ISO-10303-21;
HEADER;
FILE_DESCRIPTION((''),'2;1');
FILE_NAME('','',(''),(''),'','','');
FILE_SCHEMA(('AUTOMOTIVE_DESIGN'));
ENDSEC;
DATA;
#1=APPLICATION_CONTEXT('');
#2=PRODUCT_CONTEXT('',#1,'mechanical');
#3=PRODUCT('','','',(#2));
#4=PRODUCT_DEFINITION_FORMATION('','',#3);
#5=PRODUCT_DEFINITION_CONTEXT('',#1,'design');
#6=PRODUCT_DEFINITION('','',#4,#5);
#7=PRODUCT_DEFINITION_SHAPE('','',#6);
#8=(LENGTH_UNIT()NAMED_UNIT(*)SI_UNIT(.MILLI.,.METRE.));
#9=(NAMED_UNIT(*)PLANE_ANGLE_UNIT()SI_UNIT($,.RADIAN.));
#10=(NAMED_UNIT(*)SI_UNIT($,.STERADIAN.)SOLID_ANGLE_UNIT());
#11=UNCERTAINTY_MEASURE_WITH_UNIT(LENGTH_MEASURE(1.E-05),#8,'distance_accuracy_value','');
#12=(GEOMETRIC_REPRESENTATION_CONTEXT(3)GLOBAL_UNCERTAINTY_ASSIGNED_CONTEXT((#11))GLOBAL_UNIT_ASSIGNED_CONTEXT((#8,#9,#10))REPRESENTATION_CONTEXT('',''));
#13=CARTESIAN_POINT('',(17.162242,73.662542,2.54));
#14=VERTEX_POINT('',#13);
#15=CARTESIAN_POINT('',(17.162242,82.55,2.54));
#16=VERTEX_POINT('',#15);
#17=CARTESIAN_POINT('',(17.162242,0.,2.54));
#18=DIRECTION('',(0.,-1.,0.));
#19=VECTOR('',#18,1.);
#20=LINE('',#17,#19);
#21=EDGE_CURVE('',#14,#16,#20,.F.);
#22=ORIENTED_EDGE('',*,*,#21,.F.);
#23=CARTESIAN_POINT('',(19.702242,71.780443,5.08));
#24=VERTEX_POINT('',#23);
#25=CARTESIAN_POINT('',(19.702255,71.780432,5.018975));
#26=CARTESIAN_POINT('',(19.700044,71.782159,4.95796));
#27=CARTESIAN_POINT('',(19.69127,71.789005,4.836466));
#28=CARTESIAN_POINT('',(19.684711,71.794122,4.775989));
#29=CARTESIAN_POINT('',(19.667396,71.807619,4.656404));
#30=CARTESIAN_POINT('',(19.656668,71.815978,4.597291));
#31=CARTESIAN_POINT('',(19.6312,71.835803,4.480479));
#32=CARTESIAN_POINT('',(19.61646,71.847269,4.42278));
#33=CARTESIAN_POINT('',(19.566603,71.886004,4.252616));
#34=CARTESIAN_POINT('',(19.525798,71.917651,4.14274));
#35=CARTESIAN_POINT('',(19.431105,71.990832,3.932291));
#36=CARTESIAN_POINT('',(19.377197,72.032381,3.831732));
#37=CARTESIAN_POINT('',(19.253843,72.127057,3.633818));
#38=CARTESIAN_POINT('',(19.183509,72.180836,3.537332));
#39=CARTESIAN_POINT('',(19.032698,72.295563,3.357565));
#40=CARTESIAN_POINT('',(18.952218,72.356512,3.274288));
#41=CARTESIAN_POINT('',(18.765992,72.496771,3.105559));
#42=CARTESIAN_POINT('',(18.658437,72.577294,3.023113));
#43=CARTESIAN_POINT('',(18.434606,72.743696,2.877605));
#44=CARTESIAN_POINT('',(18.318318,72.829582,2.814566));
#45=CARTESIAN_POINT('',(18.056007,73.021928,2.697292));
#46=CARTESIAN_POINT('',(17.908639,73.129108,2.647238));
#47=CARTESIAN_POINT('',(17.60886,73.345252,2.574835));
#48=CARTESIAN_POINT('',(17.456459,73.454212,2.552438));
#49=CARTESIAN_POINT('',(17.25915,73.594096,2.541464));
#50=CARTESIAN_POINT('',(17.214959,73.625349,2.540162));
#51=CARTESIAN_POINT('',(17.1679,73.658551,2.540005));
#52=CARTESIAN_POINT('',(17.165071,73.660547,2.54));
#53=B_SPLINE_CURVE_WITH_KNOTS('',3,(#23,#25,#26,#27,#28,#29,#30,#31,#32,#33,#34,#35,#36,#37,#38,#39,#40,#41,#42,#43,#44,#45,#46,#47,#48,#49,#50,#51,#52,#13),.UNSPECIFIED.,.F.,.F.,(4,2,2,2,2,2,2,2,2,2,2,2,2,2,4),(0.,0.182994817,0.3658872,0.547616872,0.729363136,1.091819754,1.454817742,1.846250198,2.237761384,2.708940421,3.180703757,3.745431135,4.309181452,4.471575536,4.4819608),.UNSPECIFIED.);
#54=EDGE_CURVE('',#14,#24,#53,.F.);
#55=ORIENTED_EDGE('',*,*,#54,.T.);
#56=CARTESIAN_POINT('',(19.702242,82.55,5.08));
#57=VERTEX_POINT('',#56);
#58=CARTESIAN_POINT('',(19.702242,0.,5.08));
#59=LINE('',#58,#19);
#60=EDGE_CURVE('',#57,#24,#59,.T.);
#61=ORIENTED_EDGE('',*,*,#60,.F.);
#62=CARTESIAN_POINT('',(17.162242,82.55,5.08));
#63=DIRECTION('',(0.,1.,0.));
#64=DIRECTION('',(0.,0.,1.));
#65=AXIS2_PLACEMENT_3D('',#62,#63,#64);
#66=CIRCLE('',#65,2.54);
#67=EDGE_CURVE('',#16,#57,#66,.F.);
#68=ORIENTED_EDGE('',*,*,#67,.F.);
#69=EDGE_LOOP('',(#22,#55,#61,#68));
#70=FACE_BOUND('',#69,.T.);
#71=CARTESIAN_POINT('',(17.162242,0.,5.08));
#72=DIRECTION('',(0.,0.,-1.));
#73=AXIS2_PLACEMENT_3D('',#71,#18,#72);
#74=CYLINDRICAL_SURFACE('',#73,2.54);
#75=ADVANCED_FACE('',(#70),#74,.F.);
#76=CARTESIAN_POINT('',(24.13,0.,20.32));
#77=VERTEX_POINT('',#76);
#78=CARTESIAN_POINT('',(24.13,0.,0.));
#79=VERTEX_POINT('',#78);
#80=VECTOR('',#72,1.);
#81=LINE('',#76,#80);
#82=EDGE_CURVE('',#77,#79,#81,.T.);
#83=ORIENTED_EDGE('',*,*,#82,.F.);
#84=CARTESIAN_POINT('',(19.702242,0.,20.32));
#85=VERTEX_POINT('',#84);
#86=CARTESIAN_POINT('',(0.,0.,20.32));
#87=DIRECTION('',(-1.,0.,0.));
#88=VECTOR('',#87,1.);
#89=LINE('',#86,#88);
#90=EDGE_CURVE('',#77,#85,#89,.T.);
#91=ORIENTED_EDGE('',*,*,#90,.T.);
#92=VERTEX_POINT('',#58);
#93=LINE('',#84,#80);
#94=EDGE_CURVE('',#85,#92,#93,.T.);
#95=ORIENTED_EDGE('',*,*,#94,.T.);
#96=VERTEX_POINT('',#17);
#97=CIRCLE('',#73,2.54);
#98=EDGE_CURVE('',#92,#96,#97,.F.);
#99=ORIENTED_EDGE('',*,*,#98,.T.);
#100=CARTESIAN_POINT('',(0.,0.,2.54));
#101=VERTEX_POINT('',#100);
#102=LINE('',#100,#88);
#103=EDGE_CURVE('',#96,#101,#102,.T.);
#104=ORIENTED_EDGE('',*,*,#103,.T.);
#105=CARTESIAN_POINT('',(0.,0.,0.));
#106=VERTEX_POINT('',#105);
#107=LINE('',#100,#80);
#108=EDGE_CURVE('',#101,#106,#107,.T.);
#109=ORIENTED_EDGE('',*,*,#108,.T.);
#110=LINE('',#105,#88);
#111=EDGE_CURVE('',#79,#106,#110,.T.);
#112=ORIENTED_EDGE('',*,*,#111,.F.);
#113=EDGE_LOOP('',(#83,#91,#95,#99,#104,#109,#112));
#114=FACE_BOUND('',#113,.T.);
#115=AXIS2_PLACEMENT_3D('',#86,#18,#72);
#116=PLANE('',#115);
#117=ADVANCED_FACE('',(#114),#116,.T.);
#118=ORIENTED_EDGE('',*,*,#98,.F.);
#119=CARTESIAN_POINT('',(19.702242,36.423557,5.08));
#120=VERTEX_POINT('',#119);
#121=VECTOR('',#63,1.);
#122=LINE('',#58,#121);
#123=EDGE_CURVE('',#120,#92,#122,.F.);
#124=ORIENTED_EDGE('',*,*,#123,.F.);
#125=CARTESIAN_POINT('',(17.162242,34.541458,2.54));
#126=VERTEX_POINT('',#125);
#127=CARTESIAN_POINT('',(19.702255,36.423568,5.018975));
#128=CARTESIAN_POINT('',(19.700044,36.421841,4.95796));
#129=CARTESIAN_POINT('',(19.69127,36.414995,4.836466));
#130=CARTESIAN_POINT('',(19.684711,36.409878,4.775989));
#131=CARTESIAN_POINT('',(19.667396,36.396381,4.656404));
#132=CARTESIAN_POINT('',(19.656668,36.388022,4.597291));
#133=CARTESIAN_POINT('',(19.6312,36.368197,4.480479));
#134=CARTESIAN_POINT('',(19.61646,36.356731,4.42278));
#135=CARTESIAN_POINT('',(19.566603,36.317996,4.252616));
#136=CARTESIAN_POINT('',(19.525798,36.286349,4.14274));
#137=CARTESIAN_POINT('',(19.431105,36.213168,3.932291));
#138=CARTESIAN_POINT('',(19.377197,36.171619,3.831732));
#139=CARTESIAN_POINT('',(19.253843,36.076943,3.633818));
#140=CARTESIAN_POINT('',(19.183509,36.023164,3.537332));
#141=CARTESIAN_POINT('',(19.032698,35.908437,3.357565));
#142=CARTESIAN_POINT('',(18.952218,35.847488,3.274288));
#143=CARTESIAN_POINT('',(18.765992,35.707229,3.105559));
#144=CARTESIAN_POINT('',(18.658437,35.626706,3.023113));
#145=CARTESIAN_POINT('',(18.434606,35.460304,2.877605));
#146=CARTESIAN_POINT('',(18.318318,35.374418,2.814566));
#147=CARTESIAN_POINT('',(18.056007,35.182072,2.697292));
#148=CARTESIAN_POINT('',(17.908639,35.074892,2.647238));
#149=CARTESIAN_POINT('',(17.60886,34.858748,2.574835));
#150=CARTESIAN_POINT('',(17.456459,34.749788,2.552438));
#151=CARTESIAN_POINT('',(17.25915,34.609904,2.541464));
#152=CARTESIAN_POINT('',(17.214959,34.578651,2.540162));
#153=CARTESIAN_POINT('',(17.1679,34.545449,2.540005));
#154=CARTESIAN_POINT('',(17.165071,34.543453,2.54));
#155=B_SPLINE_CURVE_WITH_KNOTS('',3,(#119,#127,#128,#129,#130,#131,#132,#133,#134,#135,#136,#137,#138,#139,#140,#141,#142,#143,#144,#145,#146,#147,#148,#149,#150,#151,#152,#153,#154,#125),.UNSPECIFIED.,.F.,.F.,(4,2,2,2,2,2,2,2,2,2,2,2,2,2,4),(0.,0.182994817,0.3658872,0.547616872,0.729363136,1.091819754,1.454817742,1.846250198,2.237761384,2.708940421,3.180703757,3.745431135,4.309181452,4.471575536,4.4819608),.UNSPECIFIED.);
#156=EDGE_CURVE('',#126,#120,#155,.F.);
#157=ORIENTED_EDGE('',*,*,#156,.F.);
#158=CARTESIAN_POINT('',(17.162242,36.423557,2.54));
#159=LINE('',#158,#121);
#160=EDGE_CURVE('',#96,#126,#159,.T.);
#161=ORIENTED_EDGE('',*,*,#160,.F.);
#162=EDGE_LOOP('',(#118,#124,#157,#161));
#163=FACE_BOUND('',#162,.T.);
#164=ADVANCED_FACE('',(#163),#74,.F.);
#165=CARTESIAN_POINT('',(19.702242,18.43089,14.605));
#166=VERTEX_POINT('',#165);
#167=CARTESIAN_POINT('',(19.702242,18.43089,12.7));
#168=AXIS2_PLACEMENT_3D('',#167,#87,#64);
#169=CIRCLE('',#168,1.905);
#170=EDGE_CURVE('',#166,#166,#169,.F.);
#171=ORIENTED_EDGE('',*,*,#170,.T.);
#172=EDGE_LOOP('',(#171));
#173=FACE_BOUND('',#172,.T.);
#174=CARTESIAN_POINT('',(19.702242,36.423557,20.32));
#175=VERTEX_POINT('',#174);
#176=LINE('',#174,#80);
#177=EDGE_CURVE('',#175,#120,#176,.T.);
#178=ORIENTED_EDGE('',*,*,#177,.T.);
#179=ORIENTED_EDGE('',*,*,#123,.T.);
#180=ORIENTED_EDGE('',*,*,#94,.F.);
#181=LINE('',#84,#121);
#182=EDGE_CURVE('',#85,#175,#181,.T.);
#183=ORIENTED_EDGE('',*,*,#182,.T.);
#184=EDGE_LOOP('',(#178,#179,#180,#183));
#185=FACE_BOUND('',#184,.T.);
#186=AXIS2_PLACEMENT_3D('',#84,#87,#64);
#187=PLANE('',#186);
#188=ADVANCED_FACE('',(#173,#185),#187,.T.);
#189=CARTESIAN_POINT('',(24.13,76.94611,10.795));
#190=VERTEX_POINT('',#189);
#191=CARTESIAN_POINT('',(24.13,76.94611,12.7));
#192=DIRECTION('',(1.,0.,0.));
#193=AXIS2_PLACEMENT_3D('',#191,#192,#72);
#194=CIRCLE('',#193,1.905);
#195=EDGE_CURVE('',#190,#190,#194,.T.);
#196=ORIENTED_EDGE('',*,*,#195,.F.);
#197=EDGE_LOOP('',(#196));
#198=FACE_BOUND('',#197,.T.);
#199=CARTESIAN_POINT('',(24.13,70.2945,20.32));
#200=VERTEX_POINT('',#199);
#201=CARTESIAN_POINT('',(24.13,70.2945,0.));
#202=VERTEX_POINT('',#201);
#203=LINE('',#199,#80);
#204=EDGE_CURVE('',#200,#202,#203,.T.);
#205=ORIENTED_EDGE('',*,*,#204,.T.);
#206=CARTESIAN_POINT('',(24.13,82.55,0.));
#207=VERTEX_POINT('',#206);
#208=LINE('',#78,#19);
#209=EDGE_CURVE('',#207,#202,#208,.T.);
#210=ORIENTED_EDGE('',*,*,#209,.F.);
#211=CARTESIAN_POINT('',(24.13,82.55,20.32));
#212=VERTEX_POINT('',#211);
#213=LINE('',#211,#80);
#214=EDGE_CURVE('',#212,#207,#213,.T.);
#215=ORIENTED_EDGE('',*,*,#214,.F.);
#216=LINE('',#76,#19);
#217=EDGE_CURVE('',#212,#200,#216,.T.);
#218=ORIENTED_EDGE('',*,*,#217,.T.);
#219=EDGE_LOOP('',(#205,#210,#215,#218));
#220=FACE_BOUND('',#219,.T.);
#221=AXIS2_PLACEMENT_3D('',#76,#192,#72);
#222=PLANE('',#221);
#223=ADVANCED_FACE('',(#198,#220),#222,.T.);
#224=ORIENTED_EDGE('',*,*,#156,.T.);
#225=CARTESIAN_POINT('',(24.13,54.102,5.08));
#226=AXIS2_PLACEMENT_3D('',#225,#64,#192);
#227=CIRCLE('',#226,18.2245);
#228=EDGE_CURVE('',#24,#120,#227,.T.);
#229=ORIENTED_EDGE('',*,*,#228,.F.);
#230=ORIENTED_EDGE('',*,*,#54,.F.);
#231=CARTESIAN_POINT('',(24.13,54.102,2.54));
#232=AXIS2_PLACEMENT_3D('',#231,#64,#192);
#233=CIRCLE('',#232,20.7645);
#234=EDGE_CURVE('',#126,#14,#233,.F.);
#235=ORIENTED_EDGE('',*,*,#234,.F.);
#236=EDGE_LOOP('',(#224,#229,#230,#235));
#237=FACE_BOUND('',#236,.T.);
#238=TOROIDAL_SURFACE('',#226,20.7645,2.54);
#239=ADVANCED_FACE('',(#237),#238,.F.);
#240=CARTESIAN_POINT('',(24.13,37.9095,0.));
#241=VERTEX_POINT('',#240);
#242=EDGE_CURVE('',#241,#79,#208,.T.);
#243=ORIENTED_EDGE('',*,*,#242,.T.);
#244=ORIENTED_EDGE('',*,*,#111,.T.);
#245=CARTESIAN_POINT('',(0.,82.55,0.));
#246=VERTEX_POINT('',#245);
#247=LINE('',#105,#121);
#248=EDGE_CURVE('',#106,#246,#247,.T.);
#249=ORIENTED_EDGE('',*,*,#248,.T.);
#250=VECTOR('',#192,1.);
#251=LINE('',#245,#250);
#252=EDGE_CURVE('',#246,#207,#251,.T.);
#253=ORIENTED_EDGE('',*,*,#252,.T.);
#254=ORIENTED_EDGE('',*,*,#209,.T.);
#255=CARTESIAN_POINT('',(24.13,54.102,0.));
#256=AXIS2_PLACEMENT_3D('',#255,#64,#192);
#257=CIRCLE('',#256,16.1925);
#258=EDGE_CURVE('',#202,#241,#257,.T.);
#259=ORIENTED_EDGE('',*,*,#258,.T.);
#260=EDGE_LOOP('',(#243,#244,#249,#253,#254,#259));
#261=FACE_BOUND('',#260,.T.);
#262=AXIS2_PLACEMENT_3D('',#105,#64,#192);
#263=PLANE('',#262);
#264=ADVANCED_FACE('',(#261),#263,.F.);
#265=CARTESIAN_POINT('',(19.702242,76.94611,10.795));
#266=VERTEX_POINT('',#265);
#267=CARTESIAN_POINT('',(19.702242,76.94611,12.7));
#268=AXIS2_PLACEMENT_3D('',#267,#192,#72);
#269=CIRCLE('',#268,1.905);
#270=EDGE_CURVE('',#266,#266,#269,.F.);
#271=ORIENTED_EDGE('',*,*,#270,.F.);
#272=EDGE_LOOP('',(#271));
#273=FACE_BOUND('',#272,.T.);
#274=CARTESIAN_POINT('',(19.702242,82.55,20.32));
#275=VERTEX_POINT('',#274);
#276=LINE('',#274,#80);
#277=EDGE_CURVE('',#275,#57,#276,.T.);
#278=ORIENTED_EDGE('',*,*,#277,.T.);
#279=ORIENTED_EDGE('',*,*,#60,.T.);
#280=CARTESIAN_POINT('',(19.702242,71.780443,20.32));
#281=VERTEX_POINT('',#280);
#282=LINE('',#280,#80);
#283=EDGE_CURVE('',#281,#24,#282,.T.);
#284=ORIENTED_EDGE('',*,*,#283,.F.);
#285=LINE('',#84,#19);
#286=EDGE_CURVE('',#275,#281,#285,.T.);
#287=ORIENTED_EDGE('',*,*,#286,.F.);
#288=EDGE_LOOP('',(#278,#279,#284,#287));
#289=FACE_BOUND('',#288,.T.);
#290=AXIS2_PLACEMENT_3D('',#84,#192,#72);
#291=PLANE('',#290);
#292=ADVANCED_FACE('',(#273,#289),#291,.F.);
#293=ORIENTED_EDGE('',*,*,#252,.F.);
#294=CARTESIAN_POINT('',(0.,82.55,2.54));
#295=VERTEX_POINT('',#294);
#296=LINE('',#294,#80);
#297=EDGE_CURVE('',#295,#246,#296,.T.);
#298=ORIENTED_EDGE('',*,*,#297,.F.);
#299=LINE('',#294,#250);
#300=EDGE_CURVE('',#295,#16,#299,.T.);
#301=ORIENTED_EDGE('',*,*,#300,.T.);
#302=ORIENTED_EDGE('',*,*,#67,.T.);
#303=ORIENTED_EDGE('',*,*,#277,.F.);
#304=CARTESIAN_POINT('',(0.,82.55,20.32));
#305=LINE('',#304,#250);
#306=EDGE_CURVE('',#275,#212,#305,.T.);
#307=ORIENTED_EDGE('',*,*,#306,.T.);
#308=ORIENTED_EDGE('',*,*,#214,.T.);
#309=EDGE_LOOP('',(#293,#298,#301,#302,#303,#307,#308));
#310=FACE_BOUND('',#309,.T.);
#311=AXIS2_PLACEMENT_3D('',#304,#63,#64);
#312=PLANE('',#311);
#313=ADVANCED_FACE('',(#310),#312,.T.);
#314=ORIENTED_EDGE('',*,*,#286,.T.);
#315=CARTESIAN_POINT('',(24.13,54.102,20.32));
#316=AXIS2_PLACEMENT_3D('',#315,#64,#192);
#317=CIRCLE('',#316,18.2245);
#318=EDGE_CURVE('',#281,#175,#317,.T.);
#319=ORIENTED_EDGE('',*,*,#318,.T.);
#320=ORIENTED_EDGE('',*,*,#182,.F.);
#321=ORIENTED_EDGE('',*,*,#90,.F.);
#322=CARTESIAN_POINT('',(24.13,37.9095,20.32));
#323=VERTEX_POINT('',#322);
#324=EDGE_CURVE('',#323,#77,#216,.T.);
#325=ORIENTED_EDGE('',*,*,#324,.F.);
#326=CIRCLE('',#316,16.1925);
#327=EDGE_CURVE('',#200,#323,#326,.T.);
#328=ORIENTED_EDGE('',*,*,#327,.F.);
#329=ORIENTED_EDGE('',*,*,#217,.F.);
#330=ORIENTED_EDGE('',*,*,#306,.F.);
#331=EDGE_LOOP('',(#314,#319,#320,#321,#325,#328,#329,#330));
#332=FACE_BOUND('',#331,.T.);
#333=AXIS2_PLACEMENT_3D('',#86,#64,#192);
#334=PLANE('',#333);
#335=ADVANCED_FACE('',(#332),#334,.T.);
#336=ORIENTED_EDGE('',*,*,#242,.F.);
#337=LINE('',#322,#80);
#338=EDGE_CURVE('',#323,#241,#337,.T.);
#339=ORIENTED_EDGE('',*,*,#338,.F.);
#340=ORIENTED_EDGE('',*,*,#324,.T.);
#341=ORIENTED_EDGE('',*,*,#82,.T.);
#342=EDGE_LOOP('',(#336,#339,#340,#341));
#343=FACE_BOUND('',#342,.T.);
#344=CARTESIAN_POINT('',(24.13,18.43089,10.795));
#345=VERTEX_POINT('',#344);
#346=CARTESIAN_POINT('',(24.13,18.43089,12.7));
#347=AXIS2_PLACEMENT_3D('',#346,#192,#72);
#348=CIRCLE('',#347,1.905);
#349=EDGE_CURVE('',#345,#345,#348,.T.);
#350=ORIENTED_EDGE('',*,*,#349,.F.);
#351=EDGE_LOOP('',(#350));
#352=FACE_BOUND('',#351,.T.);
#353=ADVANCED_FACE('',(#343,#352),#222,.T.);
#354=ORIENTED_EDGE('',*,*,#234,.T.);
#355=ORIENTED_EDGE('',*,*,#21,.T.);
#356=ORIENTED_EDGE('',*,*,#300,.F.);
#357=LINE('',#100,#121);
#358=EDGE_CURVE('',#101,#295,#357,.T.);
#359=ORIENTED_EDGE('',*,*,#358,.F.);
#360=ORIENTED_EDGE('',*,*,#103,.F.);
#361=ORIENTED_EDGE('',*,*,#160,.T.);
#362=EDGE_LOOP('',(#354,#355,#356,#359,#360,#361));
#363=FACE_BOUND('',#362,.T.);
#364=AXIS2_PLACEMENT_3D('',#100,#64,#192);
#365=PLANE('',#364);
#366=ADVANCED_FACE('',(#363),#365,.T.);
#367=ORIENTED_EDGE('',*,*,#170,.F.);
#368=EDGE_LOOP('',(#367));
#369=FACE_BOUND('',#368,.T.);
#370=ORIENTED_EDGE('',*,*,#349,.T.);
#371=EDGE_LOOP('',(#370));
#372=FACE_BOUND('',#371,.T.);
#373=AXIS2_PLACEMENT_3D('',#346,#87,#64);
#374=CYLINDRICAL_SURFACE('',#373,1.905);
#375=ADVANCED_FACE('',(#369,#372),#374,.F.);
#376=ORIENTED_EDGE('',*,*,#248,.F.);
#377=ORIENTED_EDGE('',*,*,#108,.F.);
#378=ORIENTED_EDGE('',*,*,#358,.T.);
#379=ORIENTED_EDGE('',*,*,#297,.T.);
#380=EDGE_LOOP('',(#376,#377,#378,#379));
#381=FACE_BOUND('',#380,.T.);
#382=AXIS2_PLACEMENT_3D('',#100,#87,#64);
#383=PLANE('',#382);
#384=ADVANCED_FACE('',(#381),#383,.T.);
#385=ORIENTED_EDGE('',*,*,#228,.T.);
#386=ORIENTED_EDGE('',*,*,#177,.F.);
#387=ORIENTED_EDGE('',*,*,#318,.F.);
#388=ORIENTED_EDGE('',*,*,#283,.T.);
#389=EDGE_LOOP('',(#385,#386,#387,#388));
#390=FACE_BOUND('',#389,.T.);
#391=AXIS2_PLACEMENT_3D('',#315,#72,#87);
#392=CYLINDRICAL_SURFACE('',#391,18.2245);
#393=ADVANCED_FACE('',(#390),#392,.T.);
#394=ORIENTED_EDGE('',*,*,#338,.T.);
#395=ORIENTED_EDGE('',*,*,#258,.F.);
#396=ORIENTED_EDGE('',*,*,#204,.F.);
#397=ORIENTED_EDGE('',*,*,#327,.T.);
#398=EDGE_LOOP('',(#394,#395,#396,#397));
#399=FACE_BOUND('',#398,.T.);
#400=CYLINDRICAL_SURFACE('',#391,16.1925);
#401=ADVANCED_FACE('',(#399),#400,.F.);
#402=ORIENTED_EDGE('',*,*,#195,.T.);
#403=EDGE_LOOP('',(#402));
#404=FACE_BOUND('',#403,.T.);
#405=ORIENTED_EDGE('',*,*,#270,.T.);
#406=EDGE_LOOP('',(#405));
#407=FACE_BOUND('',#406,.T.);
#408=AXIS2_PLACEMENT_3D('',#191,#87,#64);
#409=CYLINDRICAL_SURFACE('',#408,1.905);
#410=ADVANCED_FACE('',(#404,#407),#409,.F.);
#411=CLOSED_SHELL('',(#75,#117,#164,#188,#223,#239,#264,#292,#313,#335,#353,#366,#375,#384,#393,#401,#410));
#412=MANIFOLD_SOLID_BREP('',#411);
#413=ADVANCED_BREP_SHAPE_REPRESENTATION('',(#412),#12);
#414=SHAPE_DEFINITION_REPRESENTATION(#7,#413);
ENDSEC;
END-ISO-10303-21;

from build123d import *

# Parameters (mm, degrees)
BOSS_EXTRUDE5_DEPTH     = 20.32
BOSS_EXTRUDE6_DEPTH     = 2.54
SKETCH3_R               = 1.905
CUT_EXTRUDE3_DEPTH      = 25.13
CUT_EXTRUDE3_DEPTH_BACK = 1
FILLET3_R               = 2.54


with BuildPart() as part:
    # Sketch2 → Boss-Extrude5 (new body)
    with BuildSketch(Plane.XY):
        with BuildLine():
            Line((19.702242383, 36.423556552), (19.702242383, 0))
            Line((19.702242383, 0), (24.13, 0))
            Line((24.13, 0), (24.13, 37.9095))
            ThreePointArc((24.13, 37.9095), (7.9375, 54.102), (24.13, 70.2945))
            Line((24.13, 70.2945), (24.13, 82.55))
            Line((24.13, 82.55), (19.702242383, 82.55))
            Line((19.702242383, 82.55), (19.702242383, 71.780443448))
            ThreePointArc((19.702242383, 71.780443448), (5.9055, 54.102), (19.702242383, 36.423556552))
        make_face()
    extrude(amount=BOSS_EXTRUDE5_DEPTH)

    # Sketch2<7> → Boss-Extrude6 (add)
    with BuildSketch(Plane.XY):
        with BuildLine():
            Line((0, 82.55), (0, 0))
            Line((0, 0), (19.702242383, 0))
            Line((19.702242383, 0), (19.702242383, 36.423556552))
            ThreePointArc((19.702242383, 36.423556552), (5.9055, 54.102), (19.702242383, 71.780443448))
            Line((19.702242383, 71.780443448), (19.702242383, 82.55))
            Line((19.702242383, 82.55), (0, 82.55))
        make_face()
    extrude(amount=BOSS_EXTRUDE6_DEPTH)

    # Sketch3 → Cut-Extrude3 (cut, two sides)
    with BuildSketch(Plane(origin=(0, 0, 0), x_dir=(0, 0, -1), z_dir=(1, 0, 0))) as cut_extrude3_sk:
        with Locations((-12.7, 18.430889618)):
            Circle(SKETCH3_R)
        with Locations((-12.7, 76.946110382)):
            Circle(SKETCH3_R)
    extrude(amount=CUT_EXTRUDE3_DEPTH, mode=Mode.SUBTRACT)
    extrude(cut_extrude3_sk.sketch, amount=-CUT_EXTRUDE3_DEPTH_BACK, mode=Mode.SUBTRACT)

    # Fillet3
    fillet3_edges = [part.edges().sort_by_distance(p)[0] for p in [
        (5.9055, 54.102, 2.54),
        (19.702242383, 77.165221724, 2.54),
        (19.702242383, 18.211778276, 2.54),
    ]]
    fillet(fillet3_edges, radius=FILLET3_R)


solid = part.part
